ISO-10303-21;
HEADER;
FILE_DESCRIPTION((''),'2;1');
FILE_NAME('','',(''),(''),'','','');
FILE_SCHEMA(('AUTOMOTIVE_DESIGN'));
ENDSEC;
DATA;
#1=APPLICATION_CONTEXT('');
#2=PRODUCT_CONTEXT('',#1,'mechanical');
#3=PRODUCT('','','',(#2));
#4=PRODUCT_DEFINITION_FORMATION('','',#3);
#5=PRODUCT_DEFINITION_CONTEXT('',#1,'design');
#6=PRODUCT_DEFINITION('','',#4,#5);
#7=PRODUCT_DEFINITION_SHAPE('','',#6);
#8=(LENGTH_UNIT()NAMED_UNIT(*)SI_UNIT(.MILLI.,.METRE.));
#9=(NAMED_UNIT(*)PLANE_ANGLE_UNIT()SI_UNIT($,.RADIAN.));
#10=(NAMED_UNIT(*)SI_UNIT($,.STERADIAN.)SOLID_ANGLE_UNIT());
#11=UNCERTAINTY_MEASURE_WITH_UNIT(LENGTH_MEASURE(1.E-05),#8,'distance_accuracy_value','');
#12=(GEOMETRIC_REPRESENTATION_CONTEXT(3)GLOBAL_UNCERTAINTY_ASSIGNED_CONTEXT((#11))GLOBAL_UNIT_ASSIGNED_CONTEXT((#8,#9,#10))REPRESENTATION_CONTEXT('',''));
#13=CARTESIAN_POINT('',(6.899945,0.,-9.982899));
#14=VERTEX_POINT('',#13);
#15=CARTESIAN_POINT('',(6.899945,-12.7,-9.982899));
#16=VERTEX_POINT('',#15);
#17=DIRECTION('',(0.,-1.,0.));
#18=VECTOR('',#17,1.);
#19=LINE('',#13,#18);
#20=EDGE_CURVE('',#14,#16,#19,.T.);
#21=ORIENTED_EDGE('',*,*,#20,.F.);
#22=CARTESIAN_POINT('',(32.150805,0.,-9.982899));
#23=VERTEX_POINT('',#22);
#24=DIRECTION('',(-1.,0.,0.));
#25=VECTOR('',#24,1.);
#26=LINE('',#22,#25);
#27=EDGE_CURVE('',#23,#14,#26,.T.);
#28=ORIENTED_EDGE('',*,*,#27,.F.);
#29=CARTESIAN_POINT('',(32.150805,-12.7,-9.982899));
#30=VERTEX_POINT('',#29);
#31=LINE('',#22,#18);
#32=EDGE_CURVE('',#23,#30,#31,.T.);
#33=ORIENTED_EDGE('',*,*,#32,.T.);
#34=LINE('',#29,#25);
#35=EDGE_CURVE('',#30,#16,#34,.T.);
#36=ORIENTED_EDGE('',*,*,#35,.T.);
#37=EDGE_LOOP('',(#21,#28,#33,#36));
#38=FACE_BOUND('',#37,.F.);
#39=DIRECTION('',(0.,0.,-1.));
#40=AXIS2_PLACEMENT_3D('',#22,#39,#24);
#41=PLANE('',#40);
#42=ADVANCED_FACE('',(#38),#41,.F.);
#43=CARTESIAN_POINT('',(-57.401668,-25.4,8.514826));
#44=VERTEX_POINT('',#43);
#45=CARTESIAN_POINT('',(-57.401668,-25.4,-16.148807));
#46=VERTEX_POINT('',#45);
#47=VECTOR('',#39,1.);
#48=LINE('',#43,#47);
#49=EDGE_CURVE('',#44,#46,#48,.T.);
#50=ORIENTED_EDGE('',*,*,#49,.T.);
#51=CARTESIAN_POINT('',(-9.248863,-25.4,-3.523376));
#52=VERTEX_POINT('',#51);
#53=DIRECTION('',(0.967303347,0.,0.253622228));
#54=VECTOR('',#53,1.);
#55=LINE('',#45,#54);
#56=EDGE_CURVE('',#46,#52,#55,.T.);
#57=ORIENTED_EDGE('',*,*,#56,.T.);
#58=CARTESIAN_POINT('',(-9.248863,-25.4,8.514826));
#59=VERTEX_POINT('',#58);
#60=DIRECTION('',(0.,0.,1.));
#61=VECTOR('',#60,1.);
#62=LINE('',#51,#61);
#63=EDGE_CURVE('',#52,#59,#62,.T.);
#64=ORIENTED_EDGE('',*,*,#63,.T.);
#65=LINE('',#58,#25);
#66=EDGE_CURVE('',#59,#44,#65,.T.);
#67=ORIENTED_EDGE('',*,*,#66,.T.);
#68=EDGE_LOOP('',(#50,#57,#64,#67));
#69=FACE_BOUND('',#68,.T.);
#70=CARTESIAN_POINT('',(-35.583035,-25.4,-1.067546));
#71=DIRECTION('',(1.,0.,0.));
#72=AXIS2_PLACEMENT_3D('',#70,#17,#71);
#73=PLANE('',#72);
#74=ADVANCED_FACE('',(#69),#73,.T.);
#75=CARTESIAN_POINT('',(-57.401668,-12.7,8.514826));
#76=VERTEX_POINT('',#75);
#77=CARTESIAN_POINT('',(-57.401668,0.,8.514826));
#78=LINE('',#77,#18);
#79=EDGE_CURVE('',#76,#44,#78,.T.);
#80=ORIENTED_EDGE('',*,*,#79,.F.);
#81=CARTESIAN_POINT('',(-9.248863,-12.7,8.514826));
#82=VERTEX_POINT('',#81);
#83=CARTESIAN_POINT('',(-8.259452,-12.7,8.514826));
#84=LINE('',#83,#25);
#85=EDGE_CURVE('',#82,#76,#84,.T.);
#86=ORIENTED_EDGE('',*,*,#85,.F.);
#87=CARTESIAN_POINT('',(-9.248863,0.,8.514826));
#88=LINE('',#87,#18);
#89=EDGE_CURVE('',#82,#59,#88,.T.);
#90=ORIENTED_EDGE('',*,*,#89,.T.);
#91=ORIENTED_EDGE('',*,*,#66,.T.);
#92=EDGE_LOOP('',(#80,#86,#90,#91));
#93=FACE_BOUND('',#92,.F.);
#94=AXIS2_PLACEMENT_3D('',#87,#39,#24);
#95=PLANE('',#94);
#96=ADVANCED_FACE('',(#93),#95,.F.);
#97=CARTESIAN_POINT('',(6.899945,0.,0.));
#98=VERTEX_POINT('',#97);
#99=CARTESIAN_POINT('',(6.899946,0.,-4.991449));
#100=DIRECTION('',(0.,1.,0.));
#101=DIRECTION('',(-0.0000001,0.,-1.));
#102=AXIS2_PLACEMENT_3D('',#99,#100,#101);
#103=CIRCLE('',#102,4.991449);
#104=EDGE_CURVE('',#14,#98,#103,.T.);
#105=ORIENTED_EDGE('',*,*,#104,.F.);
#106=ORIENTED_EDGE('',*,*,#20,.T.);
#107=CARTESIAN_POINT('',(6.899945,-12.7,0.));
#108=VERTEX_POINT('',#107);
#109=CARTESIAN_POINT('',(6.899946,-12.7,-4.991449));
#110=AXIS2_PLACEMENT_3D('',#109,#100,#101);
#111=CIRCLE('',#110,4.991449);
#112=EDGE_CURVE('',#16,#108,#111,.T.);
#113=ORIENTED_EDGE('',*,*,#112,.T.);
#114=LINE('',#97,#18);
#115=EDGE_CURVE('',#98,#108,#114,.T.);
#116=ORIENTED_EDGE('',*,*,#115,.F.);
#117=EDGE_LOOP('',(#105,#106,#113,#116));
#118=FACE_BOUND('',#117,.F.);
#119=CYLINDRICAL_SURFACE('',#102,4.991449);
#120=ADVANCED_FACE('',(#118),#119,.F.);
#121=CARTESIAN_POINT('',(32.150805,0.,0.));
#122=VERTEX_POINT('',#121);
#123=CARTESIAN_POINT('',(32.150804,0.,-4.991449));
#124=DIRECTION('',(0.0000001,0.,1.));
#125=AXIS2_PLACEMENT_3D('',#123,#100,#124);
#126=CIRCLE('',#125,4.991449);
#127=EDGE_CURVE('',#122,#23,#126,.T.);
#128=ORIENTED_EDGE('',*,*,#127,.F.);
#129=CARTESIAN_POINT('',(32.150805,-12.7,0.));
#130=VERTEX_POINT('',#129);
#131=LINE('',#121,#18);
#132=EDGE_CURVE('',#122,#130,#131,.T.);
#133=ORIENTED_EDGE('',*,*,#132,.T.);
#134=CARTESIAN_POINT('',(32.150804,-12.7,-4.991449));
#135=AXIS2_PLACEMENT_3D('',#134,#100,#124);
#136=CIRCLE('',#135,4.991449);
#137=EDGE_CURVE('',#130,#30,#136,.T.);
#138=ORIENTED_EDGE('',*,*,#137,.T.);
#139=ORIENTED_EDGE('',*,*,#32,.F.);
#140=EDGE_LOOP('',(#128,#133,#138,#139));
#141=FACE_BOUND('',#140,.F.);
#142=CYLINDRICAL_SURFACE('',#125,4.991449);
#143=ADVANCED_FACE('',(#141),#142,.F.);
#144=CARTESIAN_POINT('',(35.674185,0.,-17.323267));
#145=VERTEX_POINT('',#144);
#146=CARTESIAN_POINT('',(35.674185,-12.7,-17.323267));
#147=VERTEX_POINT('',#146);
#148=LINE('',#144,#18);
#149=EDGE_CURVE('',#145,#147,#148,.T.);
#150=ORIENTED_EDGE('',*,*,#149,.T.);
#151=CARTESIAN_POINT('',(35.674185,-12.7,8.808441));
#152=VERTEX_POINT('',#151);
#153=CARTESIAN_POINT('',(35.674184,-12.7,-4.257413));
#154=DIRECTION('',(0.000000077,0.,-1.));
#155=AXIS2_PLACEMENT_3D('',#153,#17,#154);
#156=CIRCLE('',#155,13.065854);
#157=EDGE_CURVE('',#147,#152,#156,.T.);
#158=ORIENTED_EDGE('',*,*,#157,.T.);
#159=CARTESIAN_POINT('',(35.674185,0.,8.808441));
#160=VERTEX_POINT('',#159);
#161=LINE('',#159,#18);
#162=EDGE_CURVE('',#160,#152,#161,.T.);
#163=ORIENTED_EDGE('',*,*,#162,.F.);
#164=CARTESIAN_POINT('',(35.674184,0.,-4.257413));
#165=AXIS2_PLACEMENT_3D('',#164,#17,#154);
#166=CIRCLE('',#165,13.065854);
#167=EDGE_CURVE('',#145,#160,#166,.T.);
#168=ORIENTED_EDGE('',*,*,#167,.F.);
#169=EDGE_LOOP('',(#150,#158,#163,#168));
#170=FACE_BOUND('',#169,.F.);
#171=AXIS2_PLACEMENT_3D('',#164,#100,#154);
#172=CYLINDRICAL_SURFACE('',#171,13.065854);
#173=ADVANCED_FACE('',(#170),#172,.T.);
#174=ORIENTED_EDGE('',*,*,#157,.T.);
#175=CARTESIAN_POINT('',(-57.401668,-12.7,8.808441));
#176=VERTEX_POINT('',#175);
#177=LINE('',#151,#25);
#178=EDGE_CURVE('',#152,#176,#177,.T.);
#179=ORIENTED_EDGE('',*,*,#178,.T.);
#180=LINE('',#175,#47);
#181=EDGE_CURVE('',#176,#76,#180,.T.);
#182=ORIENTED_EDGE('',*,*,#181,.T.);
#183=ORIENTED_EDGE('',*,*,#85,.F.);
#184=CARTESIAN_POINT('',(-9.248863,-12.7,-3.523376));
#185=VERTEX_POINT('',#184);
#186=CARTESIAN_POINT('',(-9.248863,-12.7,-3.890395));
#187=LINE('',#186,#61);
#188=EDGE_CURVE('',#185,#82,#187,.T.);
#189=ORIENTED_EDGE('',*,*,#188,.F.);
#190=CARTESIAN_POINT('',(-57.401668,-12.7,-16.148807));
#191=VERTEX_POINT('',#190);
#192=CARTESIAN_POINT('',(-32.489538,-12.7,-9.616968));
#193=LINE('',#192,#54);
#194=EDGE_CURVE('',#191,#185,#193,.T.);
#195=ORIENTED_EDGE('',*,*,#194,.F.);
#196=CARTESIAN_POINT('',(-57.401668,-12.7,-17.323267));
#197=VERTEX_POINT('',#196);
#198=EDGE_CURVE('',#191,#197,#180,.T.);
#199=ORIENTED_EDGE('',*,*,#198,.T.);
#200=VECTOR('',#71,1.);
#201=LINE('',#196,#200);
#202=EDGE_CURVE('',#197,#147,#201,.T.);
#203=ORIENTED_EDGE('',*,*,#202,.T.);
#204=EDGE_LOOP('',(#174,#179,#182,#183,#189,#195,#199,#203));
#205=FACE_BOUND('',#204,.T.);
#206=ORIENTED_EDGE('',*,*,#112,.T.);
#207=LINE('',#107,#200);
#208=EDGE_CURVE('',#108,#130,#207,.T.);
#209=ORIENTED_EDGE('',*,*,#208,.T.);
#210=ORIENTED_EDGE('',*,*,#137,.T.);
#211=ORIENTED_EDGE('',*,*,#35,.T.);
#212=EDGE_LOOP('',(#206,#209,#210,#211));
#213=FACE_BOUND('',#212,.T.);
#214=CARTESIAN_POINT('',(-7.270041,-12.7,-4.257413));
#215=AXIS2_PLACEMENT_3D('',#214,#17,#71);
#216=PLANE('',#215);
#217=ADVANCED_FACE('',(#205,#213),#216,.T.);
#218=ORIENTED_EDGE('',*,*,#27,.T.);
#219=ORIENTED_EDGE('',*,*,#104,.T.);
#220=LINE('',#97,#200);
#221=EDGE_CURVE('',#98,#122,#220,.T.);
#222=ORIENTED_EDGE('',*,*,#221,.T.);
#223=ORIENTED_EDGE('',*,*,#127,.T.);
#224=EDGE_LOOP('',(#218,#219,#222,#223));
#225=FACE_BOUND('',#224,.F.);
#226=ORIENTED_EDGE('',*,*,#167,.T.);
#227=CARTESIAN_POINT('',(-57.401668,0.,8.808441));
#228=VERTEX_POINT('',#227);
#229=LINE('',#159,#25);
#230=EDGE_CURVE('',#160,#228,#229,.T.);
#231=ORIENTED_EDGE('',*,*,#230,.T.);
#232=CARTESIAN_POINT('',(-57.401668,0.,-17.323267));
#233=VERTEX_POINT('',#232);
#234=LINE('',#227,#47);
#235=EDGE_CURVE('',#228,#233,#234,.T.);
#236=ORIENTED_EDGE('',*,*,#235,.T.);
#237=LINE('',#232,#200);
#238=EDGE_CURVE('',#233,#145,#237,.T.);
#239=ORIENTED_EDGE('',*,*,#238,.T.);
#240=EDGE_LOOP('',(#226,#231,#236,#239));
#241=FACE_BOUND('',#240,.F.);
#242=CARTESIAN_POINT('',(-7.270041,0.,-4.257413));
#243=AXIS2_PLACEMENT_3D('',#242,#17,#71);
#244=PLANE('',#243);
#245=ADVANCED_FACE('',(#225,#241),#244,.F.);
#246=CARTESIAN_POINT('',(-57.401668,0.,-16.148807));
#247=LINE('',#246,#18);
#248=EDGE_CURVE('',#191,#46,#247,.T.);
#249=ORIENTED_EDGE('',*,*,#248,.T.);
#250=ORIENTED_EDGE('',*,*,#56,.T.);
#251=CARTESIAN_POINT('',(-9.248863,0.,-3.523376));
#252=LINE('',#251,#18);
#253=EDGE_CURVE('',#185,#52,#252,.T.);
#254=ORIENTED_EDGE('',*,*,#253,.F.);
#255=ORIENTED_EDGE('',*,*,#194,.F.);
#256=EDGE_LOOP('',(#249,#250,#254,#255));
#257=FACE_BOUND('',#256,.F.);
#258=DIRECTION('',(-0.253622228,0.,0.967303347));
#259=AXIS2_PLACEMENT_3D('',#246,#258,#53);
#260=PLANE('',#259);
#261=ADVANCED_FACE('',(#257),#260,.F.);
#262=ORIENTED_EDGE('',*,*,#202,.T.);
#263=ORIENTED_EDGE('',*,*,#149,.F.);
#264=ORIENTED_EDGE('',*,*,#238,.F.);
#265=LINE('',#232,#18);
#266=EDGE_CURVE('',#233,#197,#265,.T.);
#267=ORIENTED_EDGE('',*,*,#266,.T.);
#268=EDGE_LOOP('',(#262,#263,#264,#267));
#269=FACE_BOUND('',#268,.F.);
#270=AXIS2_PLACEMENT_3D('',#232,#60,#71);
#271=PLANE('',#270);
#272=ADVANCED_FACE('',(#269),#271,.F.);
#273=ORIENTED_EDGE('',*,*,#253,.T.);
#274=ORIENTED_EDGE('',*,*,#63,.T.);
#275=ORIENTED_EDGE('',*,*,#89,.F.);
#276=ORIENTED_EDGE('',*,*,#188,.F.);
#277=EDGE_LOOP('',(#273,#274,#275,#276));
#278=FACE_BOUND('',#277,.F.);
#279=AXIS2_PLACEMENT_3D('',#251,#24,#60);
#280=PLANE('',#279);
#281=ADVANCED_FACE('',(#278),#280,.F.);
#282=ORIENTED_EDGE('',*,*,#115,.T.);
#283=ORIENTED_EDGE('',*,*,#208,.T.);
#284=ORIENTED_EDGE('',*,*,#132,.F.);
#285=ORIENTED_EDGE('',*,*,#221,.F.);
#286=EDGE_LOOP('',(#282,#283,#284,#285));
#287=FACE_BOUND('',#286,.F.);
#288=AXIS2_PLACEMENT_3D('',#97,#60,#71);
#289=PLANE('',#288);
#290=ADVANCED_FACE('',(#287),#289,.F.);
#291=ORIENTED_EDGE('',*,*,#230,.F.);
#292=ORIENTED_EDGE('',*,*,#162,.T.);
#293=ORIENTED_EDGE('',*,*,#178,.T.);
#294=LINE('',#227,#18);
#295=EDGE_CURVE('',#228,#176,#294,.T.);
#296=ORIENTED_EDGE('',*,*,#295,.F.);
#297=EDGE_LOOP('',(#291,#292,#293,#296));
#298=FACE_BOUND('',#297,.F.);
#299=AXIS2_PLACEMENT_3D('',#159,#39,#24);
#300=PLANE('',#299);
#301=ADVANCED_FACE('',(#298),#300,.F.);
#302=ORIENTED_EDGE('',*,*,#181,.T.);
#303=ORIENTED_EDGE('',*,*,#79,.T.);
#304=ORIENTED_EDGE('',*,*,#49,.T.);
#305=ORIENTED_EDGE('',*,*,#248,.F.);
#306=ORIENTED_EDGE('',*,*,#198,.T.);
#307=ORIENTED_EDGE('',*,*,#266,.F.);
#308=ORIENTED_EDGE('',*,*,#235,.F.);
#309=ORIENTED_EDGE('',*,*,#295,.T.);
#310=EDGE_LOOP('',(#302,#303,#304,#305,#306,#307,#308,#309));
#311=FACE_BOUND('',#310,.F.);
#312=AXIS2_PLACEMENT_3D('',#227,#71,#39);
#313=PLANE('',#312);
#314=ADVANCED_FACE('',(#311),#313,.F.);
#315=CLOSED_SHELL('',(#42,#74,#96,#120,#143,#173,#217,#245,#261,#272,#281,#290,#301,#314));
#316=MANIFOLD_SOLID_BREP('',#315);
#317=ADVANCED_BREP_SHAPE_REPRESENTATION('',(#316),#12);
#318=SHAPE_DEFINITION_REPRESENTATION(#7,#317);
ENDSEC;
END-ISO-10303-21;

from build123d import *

# Parameters (mm, degrees)
F1_DEPTH = 25.4
F3_DEPTH = 12.7


with BuildPart() as f1:
    # F0 (on Front) → F1 (new body)
    with BuildSketch(Plane.XZ):
        Polygon((-9.248863, 8.514826), (-57.401668, 8.514826), (-57.401668, -16.148807), (-9.248863, -3.523376), align=None)
    extrude(amount=F1_DEPTH)

    # F2 (on Front) → F3 (join)
    with BuildSketch(Plane.XZ):
        with BuildLine():
            Line((35.674185, 8.808441), (-57.401668, 8.808441))
            Line((-57.401668, 8.808441), (-57.401668, -17.323267))
            Line((-57.401668, -17.323267), (35.674185, -17.323267))
            ThreePointArc((35.674185, -17.323267), (48.740038, -4.257413), (35.674185, 8.808441))
        make_face()
        with BuildLine():
            ThreePointArc((6.899945, -9.982899), (1.908496, -4.991449), (6.899945, 0))
            Line((6.899945, 0), (32.150805, 0))
            ThreePointArc((32.150805, 0), (37.142254, -4.991449), (32.150805, -9.982899))
            Line((32.150805, -9.982899), (6.899945, -9.982899))
        make_face(mode=Mode.SUBTRACT)
    extrude(amount=F3_DEPTH)


solid = f1.part
